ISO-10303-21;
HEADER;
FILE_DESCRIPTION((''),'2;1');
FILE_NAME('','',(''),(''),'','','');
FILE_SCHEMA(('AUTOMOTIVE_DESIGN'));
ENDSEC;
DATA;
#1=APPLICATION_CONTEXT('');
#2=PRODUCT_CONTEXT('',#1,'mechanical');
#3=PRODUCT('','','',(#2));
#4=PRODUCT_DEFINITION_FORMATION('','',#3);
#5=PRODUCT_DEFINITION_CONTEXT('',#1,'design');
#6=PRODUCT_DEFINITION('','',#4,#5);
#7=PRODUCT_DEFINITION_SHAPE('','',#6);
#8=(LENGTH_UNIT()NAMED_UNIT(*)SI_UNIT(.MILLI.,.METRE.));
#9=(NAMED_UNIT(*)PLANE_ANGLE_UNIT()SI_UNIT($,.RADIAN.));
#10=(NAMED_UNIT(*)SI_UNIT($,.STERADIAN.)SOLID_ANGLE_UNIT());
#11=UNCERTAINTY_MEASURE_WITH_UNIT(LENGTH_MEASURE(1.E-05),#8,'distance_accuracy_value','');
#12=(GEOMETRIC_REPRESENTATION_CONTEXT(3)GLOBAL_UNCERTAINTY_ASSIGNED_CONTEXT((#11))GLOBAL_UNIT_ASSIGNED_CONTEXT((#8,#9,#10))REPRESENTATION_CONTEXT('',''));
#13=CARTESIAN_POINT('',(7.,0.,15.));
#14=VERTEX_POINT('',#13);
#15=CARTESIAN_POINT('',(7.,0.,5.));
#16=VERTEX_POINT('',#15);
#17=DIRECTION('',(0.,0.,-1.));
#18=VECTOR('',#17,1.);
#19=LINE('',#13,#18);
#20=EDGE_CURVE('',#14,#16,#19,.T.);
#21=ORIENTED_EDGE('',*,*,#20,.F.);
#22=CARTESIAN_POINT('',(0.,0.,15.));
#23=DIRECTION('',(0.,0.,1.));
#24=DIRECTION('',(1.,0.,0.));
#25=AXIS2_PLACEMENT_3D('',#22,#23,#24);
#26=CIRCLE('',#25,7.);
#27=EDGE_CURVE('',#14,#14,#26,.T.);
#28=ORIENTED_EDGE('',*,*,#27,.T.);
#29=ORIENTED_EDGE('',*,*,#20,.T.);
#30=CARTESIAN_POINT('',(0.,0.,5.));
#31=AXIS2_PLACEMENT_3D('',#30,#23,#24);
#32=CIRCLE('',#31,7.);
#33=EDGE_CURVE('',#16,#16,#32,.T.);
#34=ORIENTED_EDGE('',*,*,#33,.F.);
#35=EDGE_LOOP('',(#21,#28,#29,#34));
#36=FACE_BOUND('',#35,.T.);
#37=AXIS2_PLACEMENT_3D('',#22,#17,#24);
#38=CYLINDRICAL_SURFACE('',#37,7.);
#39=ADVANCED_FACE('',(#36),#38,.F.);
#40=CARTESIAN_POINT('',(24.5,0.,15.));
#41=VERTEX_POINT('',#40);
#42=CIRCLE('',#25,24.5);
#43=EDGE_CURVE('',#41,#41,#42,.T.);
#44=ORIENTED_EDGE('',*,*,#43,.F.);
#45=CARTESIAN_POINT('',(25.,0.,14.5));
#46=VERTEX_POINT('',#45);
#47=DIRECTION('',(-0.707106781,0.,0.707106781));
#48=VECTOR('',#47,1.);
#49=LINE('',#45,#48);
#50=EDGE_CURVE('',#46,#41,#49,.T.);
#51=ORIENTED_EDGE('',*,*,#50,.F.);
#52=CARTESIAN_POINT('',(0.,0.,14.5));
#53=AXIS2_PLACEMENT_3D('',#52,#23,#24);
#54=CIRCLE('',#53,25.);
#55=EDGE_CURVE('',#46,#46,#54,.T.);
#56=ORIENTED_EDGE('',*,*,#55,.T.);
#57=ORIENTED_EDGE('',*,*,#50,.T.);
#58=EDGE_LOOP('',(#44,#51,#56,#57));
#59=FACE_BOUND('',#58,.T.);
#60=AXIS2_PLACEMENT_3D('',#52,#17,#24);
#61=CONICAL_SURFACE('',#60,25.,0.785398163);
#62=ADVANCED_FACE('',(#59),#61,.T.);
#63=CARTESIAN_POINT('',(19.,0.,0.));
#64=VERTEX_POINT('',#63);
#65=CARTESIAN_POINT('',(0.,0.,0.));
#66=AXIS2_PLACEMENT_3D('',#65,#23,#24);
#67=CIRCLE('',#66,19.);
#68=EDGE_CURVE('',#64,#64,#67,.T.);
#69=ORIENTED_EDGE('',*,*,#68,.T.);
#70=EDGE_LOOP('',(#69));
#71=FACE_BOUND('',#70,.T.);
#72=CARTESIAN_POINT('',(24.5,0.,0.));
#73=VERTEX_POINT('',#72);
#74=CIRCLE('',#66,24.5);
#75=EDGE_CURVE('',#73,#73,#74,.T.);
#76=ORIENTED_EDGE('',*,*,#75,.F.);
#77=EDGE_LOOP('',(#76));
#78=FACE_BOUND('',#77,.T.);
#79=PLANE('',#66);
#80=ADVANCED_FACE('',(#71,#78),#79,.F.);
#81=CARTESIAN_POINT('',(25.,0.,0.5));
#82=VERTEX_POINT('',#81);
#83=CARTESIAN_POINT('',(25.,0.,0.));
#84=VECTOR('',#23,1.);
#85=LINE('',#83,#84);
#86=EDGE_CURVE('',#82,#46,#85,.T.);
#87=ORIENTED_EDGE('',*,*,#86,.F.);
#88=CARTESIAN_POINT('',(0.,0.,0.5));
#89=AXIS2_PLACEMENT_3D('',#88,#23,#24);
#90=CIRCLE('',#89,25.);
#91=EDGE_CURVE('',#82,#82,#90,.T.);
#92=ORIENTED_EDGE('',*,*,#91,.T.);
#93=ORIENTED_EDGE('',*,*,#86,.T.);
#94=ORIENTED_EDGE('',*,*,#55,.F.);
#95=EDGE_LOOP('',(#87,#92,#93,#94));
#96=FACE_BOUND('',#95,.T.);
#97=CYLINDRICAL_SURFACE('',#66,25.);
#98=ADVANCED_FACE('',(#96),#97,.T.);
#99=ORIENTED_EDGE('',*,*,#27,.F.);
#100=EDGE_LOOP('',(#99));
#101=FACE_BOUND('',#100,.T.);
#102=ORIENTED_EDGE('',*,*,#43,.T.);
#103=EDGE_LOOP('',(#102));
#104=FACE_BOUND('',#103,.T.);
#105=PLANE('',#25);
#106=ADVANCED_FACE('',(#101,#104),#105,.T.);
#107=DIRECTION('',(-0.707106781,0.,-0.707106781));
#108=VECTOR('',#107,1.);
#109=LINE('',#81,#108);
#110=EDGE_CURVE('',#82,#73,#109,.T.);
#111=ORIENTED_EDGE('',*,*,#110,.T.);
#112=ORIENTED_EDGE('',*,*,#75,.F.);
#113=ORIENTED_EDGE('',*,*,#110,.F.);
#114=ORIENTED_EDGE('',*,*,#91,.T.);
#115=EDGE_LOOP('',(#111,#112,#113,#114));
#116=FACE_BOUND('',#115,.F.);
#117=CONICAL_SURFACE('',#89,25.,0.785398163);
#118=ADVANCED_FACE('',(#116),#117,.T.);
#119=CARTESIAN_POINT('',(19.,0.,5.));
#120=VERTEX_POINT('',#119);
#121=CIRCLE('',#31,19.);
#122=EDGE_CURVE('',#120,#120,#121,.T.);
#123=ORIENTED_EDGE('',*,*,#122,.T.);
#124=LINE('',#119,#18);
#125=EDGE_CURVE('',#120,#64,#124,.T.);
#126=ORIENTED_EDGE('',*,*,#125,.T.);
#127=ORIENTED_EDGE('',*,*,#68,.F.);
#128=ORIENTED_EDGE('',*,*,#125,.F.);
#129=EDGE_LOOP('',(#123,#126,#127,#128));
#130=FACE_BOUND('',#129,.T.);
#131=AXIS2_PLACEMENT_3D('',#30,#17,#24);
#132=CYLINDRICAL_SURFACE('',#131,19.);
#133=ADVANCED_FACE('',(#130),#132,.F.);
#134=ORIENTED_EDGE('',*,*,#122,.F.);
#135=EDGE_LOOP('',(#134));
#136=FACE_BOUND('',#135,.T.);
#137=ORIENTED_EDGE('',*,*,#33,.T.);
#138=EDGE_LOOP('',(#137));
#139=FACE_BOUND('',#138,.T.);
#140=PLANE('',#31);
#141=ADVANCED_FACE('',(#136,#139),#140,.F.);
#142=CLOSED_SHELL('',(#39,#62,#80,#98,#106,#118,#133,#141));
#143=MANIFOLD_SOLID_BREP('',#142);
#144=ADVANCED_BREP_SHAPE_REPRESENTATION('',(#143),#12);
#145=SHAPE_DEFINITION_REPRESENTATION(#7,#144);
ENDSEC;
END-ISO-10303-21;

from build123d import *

# Parameters (mm, degrees)
F2_SIZE = 0.5
F3_SIZE = 0.5


with BuildPart() as f1:
    # F0 (on Front) → F1 (revolve)
    with BuildSketch(Plane.XZ):
        Polygon((19, 5), (19, 0), (25, 0), (25, 15), (7, 15), (7, 5), align=None)
    revolve(axis=Axis((0, 0, 18.669182), (0, 0, 1)))

    # F2
    f2_edges = [f1.edges().sort_by_distance(p)[0] for p in [
        (-25, 0, 15),
    ]]
    chamfer(f2_edges, length=F2_SIZE)

    # F3
    f3_edges = [f1.edges().sort_by_distance(p)[0] for p in [
        (-25, 0, 0),
    ]]
    chamfer(f3_edges, length=F3_SIZE)


solid = f1.part
